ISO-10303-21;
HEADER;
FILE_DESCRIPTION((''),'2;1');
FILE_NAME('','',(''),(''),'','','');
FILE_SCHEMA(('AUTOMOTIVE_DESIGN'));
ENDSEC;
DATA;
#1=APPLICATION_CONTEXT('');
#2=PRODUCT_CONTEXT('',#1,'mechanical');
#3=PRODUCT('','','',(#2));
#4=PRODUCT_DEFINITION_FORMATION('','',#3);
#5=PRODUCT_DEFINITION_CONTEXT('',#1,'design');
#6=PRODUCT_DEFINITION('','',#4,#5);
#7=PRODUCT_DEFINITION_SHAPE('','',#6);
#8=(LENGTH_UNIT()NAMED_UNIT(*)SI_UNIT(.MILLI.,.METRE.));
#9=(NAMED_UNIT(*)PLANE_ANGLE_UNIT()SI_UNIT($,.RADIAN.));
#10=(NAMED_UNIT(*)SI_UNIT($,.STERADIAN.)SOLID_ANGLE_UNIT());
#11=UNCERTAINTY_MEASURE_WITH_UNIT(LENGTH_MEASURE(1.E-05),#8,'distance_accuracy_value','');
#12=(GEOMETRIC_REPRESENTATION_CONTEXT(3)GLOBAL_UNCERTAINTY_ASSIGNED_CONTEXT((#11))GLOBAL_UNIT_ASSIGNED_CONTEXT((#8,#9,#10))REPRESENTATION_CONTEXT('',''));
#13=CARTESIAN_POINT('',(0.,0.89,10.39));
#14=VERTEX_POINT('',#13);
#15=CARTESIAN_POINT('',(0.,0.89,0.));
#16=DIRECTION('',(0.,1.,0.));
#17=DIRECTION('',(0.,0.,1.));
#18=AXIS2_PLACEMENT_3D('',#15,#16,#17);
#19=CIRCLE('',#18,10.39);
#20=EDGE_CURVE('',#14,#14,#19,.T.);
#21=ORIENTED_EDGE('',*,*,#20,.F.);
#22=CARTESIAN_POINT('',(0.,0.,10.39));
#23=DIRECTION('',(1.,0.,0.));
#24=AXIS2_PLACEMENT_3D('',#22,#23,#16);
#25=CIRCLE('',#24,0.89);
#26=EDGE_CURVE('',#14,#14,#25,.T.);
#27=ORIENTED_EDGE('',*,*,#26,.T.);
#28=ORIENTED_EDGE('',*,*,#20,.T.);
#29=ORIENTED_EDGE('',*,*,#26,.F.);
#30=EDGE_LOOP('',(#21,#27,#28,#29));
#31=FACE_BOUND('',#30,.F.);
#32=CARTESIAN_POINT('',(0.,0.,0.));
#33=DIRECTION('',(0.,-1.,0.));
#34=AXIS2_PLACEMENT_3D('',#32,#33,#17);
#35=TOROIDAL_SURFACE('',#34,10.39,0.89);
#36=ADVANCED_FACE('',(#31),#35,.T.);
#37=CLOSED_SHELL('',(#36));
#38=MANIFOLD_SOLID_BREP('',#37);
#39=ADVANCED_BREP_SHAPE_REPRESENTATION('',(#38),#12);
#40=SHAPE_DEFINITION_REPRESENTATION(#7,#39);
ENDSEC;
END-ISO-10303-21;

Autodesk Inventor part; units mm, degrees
ref_plane "YZ Plane" through (0, 0, 0) normal (1, 0, 0) x (0, 1, 0)
ref_plane "XZ Plane" through (0, 0, 0) normal (0, 1, 0) x (-1, 0, 0)
ref_plane "XY Plane" through (0, 0, 0) normal (0, 0, 1) x (1, 0, 0)
sketch "Sketch1" plane through (0, 0, 0) normal (1, 0, 0) x (0, 1, 0)
  circle A0 centre (0, 10.39) radius 0.89
  line L0 (0, 0) -> (1.9487, 0)
  dimension "d0" = 1.78
  dimension "d1" = 10.39
revolve "Revolution1" add sketch "Sketch1" angle 360 about axis through (0, 0, 0) along (0, 1, 0)
properties part number "Oring 2-018 Deform" material "Rubber"
